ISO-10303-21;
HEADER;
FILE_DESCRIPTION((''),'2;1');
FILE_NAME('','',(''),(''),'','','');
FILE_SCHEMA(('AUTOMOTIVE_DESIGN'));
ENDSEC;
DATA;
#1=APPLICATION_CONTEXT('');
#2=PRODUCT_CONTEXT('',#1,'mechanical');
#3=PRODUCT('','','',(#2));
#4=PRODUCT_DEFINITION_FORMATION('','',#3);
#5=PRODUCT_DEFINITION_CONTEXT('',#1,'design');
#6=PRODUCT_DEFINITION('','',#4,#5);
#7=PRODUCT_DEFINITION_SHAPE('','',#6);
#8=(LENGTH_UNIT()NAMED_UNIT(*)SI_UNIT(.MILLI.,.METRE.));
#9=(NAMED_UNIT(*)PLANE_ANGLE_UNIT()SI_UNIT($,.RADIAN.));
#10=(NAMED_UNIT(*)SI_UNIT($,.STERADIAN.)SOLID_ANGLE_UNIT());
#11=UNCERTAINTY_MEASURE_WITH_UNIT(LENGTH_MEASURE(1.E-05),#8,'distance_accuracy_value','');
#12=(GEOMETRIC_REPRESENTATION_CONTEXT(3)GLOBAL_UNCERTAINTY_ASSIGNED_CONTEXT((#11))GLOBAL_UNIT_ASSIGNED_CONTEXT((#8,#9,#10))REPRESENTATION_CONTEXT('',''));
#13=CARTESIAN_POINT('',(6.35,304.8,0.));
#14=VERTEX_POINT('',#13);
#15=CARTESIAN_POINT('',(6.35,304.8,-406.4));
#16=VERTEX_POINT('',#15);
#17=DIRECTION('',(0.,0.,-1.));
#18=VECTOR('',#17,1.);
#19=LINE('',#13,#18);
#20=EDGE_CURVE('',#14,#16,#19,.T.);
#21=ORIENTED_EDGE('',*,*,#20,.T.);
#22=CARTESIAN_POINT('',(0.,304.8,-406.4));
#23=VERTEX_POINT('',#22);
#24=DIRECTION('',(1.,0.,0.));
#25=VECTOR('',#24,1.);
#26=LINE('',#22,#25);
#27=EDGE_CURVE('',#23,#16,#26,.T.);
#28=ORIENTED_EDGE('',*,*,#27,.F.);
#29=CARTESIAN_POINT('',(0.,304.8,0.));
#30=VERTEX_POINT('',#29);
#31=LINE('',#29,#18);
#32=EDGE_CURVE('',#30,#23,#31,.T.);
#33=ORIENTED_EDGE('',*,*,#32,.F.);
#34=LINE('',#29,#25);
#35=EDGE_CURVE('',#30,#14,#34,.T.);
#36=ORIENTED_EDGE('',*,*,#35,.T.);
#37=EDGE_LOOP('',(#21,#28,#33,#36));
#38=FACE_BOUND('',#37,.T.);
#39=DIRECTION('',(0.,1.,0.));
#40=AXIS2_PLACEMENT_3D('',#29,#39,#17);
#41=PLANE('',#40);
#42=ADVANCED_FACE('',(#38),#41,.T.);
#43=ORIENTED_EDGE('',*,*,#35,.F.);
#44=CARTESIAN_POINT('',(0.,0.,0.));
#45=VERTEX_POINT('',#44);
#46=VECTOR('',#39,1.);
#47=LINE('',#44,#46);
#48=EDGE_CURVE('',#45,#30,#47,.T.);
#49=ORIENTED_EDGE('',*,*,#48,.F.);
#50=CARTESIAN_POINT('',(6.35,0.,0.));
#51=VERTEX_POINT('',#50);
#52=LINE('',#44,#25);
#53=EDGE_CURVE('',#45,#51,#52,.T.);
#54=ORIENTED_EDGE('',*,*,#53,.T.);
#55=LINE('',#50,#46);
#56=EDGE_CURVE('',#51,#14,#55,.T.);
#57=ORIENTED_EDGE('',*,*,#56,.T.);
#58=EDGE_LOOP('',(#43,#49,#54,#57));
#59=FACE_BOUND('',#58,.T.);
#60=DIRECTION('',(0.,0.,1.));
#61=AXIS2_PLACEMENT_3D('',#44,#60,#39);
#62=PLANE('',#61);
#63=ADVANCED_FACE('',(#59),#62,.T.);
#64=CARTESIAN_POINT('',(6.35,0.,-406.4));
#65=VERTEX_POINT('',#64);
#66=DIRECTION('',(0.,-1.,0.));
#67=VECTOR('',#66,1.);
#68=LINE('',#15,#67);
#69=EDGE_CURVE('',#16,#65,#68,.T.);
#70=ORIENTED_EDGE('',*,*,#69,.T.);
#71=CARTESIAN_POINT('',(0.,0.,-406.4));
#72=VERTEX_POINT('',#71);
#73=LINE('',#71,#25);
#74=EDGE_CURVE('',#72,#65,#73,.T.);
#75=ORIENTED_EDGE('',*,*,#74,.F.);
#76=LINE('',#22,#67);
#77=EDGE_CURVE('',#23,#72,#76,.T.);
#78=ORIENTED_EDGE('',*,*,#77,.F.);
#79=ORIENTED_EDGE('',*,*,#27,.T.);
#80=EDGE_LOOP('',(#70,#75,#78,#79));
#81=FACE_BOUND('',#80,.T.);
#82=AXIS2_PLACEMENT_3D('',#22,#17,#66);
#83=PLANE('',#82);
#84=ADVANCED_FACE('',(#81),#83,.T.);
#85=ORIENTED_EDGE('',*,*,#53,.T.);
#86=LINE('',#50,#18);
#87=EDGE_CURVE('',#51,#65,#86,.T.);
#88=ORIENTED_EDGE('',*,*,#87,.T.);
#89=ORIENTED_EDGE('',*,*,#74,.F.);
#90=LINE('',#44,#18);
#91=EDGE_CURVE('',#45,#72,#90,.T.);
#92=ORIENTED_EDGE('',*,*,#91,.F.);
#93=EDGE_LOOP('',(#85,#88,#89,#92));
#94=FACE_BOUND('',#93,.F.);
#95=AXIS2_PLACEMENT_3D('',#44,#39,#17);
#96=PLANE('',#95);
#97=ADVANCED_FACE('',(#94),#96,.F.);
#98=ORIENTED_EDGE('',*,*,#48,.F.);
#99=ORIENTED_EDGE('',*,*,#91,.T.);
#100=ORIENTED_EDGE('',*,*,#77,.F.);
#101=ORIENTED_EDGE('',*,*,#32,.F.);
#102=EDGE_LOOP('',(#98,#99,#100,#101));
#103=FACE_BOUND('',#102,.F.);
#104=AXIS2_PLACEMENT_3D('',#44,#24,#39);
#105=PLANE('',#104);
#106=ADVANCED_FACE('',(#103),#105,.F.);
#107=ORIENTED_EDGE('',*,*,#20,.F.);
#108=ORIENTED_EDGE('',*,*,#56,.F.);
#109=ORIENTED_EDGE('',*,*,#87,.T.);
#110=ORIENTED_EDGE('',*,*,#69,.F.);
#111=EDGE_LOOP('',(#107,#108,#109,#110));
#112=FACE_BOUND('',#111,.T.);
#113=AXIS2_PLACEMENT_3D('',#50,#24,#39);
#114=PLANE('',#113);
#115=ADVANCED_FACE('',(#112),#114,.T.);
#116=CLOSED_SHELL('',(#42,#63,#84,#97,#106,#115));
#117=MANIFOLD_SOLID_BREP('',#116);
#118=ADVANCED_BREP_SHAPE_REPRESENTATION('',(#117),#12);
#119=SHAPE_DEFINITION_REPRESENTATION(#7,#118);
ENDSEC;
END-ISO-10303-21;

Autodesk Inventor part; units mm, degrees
ref_plane "YZ Plane" through (0, 0, 0) normal (1, 0, 0) x (0, 1, 0)
ref_plane "XZ Plane" through (0, 0, 0) normal (0, 1, 0) x (-1, 0, 0)
ref_plane "XY Plane" through (0, 0, 0) normal (0, 0, 1) x (1, 0, 0)
sketch "Sketch1" plane through (0, 0, 0) normal (1, 0, 0) x (0, 1, 0)
  line L0 (0, 0) -> (0, -406.4)
  line L1 (0, 0) -> (304.8, 0)
  line L2 (304.8, 0) -> (304.8, -406.4)
  line L3 (304.8, -406.4) -> (0, -406.4)
  dimension "d0" = 406.4
  dimension "d1" = 304.8
extrude "Extrusion1" add sketch "Sketch1" along normal blind 6.35
properties part number "side_bottom_plywood_Ocampo"
